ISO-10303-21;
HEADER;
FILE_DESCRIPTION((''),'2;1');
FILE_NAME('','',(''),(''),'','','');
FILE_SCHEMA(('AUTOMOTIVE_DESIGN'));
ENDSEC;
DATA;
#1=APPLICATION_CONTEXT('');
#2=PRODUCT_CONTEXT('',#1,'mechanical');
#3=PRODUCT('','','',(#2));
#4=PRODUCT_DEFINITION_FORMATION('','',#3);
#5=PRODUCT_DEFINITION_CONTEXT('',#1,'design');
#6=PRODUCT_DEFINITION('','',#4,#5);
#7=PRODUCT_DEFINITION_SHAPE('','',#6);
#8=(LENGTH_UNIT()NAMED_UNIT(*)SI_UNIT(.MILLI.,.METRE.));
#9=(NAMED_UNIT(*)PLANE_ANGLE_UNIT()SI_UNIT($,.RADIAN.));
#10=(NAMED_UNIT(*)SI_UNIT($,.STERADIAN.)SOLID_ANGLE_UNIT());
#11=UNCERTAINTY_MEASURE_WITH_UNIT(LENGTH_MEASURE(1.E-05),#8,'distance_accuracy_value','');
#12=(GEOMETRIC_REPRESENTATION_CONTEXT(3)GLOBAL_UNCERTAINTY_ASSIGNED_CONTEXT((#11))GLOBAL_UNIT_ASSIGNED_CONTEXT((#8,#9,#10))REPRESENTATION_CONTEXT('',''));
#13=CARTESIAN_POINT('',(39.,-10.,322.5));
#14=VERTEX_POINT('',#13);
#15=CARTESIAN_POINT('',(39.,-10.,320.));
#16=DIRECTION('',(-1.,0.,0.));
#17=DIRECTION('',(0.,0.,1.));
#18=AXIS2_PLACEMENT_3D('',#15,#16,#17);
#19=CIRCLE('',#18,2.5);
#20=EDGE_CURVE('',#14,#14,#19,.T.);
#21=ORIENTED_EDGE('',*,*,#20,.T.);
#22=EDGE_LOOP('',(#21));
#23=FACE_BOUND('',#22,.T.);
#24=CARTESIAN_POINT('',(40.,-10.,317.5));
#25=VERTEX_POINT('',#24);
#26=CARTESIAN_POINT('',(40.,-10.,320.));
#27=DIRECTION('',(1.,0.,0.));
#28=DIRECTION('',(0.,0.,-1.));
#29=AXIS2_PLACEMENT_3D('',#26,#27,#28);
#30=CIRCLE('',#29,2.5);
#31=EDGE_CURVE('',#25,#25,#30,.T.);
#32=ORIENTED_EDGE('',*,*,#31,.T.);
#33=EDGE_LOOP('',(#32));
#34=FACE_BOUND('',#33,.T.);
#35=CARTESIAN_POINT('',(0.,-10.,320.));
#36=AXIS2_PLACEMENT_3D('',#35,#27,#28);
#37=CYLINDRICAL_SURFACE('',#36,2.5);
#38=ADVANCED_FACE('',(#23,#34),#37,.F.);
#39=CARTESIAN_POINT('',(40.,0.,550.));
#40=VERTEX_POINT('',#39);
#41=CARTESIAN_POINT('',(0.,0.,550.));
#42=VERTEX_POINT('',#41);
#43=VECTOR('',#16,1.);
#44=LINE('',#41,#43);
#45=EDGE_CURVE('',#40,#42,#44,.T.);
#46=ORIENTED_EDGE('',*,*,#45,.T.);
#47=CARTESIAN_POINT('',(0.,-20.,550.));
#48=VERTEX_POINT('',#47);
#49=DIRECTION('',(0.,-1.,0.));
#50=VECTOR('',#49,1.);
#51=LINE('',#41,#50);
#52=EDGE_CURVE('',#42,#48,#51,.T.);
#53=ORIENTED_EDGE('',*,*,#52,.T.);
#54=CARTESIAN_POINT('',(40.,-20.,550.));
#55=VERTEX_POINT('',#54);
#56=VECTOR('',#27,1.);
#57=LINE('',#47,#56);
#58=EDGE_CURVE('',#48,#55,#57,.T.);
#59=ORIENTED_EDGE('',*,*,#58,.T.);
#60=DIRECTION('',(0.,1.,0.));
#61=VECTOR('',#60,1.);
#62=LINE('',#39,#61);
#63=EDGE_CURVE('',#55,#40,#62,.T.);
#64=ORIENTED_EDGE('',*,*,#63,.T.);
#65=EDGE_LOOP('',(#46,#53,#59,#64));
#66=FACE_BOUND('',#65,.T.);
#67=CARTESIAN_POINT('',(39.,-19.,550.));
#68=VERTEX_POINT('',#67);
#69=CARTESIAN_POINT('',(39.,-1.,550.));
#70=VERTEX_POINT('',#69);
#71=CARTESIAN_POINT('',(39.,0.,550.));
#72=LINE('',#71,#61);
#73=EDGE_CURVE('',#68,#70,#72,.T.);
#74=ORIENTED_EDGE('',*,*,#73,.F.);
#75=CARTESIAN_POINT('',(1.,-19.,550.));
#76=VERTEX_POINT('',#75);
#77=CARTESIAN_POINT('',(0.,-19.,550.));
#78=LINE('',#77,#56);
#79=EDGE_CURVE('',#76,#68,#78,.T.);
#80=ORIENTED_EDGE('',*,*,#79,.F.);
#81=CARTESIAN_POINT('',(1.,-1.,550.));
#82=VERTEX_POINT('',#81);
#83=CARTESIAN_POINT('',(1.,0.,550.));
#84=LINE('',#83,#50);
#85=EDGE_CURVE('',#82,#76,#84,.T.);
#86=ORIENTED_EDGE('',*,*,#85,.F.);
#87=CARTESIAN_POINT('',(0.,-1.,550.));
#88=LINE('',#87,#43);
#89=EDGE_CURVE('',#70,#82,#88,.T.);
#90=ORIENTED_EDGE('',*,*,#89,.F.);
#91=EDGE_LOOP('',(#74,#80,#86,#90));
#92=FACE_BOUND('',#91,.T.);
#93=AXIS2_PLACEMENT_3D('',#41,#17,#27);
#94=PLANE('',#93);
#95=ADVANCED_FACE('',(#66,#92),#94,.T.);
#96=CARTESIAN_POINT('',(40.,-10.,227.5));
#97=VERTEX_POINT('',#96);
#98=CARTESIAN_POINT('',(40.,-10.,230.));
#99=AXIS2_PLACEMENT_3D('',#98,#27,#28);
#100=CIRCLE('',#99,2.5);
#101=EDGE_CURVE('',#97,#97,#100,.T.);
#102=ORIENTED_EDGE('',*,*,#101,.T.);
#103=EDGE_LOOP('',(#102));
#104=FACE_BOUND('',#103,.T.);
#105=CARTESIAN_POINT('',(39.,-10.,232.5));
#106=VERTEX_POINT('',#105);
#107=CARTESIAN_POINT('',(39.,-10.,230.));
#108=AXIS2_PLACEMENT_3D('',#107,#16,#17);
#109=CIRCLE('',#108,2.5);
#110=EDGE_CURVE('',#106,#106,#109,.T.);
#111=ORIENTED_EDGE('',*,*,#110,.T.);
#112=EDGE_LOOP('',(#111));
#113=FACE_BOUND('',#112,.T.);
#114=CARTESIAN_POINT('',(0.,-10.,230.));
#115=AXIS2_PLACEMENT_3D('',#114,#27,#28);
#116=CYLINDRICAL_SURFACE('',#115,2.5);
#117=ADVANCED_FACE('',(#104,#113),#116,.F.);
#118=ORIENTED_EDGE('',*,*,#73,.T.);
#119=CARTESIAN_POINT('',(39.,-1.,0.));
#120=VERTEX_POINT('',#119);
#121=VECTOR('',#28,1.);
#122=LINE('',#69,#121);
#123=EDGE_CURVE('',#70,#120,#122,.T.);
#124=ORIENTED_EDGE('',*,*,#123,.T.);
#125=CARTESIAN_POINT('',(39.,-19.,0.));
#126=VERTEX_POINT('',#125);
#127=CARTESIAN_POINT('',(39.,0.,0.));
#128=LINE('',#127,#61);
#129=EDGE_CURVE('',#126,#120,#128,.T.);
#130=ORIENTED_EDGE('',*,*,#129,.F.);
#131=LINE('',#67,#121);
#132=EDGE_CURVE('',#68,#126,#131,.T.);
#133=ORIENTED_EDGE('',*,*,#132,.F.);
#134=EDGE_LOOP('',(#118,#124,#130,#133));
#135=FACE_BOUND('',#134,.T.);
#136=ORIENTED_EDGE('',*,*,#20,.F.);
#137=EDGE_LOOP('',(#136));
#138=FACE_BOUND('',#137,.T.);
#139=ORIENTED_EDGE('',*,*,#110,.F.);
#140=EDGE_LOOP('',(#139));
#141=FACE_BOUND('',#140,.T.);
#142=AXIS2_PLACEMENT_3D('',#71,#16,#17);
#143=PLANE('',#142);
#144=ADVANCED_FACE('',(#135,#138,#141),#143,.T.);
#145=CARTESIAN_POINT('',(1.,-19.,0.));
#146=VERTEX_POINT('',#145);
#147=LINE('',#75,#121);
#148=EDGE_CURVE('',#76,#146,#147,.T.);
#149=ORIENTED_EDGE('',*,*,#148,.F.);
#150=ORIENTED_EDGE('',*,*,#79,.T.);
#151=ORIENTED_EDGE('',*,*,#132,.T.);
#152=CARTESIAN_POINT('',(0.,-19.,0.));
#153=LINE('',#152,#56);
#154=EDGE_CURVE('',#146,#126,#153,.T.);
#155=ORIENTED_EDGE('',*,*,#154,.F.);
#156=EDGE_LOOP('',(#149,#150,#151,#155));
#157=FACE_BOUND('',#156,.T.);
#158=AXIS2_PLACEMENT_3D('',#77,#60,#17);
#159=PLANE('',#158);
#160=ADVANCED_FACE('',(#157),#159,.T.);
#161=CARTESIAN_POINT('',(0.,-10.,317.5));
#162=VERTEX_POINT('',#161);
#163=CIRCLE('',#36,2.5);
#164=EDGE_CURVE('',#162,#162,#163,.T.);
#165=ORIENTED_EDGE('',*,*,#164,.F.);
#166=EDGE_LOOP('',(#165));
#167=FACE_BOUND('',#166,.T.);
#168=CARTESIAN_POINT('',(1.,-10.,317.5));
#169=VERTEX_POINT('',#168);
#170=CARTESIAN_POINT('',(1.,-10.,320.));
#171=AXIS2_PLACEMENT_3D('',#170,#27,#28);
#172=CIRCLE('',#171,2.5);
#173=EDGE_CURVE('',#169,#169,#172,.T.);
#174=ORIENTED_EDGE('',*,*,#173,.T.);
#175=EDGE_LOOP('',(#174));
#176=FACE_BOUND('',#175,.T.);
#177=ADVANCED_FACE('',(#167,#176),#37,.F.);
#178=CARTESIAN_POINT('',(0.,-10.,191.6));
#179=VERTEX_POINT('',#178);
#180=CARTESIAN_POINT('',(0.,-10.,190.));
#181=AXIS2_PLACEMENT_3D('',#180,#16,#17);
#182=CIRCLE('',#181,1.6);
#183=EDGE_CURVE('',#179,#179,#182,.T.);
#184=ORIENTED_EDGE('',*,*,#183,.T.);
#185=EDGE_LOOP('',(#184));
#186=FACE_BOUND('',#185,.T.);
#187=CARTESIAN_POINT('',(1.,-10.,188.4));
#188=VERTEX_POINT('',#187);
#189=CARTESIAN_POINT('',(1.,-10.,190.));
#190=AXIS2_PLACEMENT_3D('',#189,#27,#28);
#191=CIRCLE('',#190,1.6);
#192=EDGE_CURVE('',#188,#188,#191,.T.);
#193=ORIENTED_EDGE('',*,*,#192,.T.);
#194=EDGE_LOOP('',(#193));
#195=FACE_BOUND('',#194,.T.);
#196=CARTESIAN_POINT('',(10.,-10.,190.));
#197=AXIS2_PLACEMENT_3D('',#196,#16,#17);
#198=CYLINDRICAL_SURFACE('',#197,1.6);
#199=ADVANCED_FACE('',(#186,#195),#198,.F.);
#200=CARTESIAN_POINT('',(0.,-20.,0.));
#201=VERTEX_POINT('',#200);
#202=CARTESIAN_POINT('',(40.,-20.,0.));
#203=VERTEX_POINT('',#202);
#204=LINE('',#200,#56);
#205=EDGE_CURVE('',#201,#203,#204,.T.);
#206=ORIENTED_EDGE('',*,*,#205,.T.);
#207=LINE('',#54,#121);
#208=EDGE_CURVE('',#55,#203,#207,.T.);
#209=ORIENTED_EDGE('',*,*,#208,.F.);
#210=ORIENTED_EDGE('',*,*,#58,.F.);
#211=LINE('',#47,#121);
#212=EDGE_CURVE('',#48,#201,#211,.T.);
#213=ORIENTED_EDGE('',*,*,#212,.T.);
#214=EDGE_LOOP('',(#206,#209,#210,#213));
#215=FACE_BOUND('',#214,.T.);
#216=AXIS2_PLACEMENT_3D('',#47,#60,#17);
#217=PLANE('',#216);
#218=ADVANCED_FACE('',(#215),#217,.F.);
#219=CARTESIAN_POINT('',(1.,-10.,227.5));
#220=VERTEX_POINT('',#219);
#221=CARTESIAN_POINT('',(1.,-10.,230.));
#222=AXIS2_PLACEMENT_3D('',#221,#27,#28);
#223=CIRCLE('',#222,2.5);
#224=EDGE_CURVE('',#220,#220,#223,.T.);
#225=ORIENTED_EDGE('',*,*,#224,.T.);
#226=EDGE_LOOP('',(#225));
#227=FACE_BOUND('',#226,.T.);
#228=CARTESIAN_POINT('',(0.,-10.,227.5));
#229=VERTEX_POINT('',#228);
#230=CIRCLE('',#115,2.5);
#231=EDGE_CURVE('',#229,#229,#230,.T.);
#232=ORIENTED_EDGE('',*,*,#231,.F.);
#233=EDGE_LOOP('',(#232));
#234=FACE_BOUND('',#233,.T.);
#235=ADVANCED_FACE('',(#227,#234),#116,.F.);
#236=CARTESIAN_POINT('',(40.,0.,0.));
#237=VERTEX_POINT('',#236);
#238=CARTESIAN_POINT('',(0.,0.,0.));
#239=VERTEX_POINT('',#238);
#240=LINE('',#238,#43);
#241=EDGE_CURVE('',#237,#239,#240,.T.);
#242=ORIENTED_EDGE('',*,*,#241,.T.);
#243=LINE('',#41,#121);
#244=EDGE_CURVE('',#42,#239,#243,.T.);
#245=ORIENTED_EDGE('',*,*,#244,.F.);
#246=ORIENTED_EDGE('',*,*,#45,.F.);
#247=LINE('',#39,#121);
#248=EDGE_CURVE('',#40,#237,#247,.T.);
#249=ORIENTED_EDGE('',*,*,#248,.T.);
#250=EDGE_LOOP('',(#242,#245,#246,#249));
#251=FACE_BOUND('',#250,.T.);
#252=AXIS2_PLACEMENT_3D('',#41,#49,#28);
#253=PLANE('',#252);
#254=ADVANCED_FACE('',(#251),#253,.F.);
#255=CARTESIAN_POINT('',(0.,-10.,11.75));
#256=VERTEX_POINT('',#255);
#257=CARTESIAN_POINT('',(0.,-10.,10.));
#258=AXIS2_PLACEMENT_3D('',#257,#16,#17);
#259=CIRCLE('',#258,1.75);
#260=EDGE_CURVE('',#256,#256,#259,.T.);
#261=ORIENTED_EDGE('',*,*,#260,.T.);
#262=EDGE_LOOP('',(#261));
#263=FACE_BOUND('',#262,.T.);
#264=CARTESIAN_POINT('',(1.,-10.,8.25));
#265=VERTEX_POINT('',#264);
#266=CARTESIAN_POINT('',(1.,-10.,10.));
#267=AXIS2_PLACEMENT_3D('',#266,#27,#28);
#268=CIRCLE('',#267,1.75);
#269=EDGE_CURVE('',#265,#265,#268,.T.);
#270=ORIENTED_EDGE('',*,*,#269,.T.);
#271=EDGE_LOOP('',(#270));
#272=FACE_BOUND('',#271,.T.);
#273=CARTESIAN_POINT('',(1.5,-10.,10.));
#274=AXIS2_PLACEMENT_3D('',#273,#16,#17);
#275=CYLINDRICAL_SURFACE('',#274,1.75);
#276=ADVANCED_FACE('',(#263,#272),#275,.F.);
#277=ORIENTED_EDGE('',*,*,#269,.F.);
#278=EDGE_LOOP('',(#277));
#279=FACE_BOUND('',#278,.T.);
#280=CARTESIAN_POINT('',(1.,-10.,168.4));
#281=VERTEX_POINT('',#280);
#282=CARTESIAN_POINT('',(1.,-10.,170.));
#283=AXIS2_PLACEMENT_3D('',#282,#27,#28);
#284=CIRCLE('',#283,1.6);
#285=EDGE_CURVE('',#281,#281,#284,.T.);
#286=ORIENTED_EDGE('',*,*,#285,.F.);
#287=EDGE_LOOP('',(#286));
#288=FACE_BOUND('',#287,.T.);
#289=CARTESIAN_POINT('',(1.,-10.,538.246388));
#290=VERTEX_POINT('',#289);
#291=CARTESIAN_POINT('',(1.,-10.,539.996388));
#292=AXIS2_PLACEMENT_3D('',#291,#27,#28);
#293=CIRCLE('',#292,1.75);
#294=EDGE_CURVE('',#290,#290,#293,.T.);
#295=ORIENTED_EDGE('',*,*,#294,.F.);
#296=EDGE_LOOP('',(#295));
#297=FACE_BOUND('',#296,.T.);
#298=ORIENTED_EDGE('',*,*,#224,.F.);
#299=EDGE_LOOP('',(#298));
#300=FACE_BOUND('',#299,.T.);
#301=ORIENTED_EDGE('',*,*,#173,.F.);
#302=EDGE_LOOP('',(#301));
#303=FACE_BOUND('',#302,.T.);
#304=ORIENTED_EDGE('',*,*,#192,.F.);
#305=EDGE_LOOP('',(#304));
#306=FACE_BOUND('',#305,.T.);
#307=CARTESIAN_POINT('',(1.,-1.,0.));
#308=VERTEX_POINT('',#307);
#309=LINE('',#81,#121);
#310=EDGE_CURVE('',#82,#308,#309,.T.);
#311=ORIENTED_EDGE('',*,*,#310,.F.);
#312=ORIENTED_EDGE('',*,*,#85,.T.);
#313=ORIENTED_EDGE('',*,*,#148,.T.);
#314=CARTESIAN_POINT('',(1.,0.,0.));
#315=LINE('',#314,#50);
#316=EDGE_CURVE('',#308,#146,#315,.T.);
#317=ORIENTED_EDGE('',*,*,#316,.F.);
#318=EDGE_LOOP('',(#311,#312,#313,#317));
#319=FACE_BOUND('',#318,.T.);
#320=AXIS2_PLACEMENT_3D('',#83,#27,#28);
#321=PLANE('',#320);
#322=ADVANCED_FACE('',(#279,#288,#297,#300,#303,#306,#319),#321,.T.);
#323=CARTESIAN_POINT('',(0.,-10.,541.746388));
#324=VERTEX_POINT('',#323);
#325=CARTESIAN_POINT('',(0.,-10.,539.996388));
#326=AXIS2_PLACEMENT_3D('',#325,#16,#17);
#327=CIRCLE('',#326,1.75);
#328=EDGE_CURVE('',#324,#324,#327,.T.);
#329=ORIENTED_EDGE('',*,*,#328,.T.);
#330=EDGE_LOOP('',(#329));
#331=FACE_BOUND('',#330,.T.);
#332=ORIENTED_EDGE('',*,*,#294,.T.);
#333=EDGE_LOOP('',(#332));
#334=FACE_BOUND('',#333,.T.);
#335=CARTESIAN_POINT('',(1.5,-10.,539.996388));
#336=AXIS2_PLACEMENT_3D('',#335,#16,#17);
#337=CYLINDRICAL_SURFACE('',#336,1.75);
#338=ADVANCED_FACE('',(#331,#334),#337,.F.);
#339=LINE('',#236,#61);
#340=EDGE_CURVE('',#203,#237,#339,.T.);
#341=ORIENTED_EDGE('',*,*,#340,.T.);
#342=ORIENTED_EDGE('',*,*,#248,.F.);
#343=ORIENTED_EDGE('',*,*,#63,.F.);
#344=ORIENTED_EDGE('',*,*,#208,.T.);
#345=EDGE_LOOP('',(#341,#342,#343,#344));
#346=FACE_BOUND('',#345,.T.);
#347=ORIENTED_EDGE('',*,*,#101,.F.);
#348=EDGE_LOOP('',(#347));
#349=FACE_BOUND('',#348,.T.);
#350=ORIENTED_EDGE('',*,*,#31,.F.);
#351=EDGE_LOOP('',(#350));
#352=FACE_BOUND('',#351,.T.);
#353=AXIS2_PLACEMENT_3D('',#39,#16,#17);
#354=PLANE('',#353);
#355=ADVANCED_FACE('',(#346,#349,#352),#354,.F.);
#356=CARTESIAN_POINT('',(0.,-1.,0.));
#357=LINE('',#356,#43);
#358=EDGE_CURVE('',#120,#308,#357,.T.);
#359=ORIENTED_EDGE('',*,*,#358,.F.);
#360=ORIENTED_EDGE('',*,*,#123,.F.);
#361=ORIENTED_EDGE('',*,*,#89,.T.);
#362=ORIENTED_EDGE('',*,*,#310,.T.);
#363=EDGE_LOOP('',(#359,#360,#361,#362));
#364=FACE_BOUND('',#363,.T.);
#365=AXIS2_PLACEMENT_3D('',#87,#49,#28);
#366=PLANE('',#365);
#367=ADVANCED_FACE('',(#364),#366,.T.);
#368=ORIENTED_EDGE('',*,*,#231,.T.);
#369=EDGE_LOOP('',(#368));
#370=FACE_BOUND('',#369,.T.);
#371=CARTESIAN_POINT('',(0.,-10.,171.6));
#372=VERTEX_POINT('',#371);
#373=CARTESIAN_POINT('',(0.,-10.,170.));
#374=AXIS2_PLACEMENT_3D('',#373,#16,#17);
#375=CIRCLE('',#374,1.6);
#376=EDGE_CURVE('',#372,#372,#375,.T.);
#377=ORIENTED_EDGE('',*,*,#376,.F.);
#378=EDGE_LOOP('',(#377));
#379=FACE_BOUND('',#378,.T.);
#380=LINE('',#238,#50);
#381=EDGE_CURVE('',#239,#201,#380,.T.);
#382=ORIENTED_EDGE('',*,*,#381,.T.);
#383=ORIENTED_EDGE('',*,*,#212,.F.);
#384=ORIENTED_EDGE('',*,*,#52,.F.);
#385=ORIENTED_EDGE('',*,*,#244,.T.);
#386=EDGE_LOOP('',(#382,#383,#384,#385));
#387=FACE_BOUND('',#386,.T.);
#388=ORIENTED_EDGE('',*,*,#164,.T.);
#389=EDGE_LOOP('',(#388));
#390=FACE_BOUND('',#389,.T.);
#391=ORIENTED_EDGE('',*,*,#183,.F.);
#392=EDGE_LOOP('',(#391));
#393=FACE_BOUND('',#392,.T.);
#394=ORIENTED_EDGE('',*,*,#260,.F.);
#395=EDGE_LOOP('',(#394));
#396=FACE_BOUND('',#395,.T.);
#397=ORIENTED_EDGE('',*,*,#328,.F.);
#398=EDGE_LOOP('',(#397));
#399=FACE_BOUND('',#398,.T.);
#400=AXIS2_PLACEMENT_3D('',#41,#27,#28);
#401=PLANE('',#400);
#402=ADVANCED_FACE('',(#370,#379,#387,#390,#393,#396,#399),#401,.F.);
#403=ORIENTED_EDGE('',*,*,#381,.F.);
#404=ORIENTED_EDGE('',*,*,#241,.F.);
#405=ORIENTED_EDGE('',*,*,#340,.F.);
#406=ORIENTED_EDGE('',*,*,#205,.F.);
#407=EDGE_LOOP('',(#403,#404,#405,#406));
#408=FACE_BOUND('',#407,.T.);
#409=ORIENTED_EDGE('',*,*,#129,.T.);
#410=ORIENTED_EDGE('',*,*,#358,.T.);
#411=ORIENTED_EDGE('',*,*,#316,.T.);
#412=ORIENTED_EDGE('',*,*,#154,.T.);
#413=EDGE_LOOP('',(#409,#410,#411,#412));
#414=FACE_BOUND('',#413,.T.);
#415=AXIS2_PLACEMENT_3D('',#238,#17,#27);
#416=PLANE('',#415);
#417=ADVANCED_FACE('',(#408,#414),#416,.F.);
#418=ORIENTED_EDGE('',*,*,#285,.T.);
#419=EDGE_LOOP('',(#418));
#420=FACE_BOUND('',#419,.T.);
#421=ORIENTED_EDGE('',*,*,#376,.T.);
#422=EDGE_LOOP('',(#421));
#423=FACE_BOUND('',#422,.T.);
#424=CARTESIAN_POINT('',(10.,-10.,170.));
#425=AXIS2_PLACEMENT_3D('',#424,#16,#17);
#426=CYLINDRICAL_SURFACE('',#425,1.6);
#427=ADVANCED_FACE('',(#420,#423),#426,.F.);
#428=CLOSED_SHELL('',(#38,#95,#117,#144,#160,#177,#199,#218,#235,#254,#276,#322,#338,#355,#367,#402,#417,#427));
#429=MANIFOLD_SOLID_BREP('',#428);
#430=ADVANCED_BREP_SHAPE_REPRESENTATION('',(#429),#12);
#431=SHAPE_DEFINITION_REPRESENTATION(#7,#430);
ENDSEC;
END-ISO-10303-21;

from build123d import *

# Parameters (mm, degrees)
SKETCH_1_W          = 40
SKETCH_1_H          = 20
SKETCH_1_W_2        = 38
SKETCH_1_H_2        = 18
EXTRUDE_1_DEPTH     = 550
SKETCH_4_R          = 1.75
CUT_EXTRUDE_2_DEPTH = 1.5
SKETCH_6_R          = 2.5
CUT_EXTRUDE_3_DEPTH = 552.815186453
SKETCH_7_R          = 1.6
CUT_EXTRUDE_4_DEPTH = 10


with BuildPart() as part:
    # 草图1 → 拉伸-薄壁1 (new body)
    with BuildSketch(Plane.XY):
        with Locations((20, -10)):
            Rectangle(SKETCH_1_W, SKETCH_1_H)
        with Locations((20, -10)):
            Rectangle(SKETCH_1_W_2, SKETCH_1_H_2, mode=Mode.SUBTRACT)
    extrude(amount=EXTRUDE_1_DEPTH)

    # 草图4 → 切除-拉伸2 (cut)
    with BuildSketch(Plane.ZY):
        with Locations((539.996387591, -10)):
            Circle(SKETCH_4_R)
        with Locations((10, -10.000000002)):
            Circle(SKETCH_4_R)
    extrude(amount=-CUT_EXTRUDE_2_DEPTH, mode=Mode.SUBTRACT)

    # 草图6 → 切除-拉伸3 (cut, through all)
    with BuildSketch(Plane(origin=(40, 0, 0), x_dir=(0, 0, -1), z_dir=(1, 0, 0))):
        with Locations((-320, -10)):
            Circle(SKETCH_6_R)
        with Locations((-230, -10)):
            Circle(SKETCH_6_R)
    extrude(amount=-CUT_EXTRUDE_3_DEPTH, mode=Mode.SUBTRACT)

    # 草图7 → 切除-拉伸4 (cut)
    with BuildSketch(Plane.ZY):
        with Locations((190, -10)):
            Circle(SKETCH_7_R)
        with Locations((170, -10)):
            Circle(SKETCH_7_R)
    extrude(amount=-CUT_EXTRUDE_4_DEPTH, mode=Mode.SUBTRACT)


solid = part.part
